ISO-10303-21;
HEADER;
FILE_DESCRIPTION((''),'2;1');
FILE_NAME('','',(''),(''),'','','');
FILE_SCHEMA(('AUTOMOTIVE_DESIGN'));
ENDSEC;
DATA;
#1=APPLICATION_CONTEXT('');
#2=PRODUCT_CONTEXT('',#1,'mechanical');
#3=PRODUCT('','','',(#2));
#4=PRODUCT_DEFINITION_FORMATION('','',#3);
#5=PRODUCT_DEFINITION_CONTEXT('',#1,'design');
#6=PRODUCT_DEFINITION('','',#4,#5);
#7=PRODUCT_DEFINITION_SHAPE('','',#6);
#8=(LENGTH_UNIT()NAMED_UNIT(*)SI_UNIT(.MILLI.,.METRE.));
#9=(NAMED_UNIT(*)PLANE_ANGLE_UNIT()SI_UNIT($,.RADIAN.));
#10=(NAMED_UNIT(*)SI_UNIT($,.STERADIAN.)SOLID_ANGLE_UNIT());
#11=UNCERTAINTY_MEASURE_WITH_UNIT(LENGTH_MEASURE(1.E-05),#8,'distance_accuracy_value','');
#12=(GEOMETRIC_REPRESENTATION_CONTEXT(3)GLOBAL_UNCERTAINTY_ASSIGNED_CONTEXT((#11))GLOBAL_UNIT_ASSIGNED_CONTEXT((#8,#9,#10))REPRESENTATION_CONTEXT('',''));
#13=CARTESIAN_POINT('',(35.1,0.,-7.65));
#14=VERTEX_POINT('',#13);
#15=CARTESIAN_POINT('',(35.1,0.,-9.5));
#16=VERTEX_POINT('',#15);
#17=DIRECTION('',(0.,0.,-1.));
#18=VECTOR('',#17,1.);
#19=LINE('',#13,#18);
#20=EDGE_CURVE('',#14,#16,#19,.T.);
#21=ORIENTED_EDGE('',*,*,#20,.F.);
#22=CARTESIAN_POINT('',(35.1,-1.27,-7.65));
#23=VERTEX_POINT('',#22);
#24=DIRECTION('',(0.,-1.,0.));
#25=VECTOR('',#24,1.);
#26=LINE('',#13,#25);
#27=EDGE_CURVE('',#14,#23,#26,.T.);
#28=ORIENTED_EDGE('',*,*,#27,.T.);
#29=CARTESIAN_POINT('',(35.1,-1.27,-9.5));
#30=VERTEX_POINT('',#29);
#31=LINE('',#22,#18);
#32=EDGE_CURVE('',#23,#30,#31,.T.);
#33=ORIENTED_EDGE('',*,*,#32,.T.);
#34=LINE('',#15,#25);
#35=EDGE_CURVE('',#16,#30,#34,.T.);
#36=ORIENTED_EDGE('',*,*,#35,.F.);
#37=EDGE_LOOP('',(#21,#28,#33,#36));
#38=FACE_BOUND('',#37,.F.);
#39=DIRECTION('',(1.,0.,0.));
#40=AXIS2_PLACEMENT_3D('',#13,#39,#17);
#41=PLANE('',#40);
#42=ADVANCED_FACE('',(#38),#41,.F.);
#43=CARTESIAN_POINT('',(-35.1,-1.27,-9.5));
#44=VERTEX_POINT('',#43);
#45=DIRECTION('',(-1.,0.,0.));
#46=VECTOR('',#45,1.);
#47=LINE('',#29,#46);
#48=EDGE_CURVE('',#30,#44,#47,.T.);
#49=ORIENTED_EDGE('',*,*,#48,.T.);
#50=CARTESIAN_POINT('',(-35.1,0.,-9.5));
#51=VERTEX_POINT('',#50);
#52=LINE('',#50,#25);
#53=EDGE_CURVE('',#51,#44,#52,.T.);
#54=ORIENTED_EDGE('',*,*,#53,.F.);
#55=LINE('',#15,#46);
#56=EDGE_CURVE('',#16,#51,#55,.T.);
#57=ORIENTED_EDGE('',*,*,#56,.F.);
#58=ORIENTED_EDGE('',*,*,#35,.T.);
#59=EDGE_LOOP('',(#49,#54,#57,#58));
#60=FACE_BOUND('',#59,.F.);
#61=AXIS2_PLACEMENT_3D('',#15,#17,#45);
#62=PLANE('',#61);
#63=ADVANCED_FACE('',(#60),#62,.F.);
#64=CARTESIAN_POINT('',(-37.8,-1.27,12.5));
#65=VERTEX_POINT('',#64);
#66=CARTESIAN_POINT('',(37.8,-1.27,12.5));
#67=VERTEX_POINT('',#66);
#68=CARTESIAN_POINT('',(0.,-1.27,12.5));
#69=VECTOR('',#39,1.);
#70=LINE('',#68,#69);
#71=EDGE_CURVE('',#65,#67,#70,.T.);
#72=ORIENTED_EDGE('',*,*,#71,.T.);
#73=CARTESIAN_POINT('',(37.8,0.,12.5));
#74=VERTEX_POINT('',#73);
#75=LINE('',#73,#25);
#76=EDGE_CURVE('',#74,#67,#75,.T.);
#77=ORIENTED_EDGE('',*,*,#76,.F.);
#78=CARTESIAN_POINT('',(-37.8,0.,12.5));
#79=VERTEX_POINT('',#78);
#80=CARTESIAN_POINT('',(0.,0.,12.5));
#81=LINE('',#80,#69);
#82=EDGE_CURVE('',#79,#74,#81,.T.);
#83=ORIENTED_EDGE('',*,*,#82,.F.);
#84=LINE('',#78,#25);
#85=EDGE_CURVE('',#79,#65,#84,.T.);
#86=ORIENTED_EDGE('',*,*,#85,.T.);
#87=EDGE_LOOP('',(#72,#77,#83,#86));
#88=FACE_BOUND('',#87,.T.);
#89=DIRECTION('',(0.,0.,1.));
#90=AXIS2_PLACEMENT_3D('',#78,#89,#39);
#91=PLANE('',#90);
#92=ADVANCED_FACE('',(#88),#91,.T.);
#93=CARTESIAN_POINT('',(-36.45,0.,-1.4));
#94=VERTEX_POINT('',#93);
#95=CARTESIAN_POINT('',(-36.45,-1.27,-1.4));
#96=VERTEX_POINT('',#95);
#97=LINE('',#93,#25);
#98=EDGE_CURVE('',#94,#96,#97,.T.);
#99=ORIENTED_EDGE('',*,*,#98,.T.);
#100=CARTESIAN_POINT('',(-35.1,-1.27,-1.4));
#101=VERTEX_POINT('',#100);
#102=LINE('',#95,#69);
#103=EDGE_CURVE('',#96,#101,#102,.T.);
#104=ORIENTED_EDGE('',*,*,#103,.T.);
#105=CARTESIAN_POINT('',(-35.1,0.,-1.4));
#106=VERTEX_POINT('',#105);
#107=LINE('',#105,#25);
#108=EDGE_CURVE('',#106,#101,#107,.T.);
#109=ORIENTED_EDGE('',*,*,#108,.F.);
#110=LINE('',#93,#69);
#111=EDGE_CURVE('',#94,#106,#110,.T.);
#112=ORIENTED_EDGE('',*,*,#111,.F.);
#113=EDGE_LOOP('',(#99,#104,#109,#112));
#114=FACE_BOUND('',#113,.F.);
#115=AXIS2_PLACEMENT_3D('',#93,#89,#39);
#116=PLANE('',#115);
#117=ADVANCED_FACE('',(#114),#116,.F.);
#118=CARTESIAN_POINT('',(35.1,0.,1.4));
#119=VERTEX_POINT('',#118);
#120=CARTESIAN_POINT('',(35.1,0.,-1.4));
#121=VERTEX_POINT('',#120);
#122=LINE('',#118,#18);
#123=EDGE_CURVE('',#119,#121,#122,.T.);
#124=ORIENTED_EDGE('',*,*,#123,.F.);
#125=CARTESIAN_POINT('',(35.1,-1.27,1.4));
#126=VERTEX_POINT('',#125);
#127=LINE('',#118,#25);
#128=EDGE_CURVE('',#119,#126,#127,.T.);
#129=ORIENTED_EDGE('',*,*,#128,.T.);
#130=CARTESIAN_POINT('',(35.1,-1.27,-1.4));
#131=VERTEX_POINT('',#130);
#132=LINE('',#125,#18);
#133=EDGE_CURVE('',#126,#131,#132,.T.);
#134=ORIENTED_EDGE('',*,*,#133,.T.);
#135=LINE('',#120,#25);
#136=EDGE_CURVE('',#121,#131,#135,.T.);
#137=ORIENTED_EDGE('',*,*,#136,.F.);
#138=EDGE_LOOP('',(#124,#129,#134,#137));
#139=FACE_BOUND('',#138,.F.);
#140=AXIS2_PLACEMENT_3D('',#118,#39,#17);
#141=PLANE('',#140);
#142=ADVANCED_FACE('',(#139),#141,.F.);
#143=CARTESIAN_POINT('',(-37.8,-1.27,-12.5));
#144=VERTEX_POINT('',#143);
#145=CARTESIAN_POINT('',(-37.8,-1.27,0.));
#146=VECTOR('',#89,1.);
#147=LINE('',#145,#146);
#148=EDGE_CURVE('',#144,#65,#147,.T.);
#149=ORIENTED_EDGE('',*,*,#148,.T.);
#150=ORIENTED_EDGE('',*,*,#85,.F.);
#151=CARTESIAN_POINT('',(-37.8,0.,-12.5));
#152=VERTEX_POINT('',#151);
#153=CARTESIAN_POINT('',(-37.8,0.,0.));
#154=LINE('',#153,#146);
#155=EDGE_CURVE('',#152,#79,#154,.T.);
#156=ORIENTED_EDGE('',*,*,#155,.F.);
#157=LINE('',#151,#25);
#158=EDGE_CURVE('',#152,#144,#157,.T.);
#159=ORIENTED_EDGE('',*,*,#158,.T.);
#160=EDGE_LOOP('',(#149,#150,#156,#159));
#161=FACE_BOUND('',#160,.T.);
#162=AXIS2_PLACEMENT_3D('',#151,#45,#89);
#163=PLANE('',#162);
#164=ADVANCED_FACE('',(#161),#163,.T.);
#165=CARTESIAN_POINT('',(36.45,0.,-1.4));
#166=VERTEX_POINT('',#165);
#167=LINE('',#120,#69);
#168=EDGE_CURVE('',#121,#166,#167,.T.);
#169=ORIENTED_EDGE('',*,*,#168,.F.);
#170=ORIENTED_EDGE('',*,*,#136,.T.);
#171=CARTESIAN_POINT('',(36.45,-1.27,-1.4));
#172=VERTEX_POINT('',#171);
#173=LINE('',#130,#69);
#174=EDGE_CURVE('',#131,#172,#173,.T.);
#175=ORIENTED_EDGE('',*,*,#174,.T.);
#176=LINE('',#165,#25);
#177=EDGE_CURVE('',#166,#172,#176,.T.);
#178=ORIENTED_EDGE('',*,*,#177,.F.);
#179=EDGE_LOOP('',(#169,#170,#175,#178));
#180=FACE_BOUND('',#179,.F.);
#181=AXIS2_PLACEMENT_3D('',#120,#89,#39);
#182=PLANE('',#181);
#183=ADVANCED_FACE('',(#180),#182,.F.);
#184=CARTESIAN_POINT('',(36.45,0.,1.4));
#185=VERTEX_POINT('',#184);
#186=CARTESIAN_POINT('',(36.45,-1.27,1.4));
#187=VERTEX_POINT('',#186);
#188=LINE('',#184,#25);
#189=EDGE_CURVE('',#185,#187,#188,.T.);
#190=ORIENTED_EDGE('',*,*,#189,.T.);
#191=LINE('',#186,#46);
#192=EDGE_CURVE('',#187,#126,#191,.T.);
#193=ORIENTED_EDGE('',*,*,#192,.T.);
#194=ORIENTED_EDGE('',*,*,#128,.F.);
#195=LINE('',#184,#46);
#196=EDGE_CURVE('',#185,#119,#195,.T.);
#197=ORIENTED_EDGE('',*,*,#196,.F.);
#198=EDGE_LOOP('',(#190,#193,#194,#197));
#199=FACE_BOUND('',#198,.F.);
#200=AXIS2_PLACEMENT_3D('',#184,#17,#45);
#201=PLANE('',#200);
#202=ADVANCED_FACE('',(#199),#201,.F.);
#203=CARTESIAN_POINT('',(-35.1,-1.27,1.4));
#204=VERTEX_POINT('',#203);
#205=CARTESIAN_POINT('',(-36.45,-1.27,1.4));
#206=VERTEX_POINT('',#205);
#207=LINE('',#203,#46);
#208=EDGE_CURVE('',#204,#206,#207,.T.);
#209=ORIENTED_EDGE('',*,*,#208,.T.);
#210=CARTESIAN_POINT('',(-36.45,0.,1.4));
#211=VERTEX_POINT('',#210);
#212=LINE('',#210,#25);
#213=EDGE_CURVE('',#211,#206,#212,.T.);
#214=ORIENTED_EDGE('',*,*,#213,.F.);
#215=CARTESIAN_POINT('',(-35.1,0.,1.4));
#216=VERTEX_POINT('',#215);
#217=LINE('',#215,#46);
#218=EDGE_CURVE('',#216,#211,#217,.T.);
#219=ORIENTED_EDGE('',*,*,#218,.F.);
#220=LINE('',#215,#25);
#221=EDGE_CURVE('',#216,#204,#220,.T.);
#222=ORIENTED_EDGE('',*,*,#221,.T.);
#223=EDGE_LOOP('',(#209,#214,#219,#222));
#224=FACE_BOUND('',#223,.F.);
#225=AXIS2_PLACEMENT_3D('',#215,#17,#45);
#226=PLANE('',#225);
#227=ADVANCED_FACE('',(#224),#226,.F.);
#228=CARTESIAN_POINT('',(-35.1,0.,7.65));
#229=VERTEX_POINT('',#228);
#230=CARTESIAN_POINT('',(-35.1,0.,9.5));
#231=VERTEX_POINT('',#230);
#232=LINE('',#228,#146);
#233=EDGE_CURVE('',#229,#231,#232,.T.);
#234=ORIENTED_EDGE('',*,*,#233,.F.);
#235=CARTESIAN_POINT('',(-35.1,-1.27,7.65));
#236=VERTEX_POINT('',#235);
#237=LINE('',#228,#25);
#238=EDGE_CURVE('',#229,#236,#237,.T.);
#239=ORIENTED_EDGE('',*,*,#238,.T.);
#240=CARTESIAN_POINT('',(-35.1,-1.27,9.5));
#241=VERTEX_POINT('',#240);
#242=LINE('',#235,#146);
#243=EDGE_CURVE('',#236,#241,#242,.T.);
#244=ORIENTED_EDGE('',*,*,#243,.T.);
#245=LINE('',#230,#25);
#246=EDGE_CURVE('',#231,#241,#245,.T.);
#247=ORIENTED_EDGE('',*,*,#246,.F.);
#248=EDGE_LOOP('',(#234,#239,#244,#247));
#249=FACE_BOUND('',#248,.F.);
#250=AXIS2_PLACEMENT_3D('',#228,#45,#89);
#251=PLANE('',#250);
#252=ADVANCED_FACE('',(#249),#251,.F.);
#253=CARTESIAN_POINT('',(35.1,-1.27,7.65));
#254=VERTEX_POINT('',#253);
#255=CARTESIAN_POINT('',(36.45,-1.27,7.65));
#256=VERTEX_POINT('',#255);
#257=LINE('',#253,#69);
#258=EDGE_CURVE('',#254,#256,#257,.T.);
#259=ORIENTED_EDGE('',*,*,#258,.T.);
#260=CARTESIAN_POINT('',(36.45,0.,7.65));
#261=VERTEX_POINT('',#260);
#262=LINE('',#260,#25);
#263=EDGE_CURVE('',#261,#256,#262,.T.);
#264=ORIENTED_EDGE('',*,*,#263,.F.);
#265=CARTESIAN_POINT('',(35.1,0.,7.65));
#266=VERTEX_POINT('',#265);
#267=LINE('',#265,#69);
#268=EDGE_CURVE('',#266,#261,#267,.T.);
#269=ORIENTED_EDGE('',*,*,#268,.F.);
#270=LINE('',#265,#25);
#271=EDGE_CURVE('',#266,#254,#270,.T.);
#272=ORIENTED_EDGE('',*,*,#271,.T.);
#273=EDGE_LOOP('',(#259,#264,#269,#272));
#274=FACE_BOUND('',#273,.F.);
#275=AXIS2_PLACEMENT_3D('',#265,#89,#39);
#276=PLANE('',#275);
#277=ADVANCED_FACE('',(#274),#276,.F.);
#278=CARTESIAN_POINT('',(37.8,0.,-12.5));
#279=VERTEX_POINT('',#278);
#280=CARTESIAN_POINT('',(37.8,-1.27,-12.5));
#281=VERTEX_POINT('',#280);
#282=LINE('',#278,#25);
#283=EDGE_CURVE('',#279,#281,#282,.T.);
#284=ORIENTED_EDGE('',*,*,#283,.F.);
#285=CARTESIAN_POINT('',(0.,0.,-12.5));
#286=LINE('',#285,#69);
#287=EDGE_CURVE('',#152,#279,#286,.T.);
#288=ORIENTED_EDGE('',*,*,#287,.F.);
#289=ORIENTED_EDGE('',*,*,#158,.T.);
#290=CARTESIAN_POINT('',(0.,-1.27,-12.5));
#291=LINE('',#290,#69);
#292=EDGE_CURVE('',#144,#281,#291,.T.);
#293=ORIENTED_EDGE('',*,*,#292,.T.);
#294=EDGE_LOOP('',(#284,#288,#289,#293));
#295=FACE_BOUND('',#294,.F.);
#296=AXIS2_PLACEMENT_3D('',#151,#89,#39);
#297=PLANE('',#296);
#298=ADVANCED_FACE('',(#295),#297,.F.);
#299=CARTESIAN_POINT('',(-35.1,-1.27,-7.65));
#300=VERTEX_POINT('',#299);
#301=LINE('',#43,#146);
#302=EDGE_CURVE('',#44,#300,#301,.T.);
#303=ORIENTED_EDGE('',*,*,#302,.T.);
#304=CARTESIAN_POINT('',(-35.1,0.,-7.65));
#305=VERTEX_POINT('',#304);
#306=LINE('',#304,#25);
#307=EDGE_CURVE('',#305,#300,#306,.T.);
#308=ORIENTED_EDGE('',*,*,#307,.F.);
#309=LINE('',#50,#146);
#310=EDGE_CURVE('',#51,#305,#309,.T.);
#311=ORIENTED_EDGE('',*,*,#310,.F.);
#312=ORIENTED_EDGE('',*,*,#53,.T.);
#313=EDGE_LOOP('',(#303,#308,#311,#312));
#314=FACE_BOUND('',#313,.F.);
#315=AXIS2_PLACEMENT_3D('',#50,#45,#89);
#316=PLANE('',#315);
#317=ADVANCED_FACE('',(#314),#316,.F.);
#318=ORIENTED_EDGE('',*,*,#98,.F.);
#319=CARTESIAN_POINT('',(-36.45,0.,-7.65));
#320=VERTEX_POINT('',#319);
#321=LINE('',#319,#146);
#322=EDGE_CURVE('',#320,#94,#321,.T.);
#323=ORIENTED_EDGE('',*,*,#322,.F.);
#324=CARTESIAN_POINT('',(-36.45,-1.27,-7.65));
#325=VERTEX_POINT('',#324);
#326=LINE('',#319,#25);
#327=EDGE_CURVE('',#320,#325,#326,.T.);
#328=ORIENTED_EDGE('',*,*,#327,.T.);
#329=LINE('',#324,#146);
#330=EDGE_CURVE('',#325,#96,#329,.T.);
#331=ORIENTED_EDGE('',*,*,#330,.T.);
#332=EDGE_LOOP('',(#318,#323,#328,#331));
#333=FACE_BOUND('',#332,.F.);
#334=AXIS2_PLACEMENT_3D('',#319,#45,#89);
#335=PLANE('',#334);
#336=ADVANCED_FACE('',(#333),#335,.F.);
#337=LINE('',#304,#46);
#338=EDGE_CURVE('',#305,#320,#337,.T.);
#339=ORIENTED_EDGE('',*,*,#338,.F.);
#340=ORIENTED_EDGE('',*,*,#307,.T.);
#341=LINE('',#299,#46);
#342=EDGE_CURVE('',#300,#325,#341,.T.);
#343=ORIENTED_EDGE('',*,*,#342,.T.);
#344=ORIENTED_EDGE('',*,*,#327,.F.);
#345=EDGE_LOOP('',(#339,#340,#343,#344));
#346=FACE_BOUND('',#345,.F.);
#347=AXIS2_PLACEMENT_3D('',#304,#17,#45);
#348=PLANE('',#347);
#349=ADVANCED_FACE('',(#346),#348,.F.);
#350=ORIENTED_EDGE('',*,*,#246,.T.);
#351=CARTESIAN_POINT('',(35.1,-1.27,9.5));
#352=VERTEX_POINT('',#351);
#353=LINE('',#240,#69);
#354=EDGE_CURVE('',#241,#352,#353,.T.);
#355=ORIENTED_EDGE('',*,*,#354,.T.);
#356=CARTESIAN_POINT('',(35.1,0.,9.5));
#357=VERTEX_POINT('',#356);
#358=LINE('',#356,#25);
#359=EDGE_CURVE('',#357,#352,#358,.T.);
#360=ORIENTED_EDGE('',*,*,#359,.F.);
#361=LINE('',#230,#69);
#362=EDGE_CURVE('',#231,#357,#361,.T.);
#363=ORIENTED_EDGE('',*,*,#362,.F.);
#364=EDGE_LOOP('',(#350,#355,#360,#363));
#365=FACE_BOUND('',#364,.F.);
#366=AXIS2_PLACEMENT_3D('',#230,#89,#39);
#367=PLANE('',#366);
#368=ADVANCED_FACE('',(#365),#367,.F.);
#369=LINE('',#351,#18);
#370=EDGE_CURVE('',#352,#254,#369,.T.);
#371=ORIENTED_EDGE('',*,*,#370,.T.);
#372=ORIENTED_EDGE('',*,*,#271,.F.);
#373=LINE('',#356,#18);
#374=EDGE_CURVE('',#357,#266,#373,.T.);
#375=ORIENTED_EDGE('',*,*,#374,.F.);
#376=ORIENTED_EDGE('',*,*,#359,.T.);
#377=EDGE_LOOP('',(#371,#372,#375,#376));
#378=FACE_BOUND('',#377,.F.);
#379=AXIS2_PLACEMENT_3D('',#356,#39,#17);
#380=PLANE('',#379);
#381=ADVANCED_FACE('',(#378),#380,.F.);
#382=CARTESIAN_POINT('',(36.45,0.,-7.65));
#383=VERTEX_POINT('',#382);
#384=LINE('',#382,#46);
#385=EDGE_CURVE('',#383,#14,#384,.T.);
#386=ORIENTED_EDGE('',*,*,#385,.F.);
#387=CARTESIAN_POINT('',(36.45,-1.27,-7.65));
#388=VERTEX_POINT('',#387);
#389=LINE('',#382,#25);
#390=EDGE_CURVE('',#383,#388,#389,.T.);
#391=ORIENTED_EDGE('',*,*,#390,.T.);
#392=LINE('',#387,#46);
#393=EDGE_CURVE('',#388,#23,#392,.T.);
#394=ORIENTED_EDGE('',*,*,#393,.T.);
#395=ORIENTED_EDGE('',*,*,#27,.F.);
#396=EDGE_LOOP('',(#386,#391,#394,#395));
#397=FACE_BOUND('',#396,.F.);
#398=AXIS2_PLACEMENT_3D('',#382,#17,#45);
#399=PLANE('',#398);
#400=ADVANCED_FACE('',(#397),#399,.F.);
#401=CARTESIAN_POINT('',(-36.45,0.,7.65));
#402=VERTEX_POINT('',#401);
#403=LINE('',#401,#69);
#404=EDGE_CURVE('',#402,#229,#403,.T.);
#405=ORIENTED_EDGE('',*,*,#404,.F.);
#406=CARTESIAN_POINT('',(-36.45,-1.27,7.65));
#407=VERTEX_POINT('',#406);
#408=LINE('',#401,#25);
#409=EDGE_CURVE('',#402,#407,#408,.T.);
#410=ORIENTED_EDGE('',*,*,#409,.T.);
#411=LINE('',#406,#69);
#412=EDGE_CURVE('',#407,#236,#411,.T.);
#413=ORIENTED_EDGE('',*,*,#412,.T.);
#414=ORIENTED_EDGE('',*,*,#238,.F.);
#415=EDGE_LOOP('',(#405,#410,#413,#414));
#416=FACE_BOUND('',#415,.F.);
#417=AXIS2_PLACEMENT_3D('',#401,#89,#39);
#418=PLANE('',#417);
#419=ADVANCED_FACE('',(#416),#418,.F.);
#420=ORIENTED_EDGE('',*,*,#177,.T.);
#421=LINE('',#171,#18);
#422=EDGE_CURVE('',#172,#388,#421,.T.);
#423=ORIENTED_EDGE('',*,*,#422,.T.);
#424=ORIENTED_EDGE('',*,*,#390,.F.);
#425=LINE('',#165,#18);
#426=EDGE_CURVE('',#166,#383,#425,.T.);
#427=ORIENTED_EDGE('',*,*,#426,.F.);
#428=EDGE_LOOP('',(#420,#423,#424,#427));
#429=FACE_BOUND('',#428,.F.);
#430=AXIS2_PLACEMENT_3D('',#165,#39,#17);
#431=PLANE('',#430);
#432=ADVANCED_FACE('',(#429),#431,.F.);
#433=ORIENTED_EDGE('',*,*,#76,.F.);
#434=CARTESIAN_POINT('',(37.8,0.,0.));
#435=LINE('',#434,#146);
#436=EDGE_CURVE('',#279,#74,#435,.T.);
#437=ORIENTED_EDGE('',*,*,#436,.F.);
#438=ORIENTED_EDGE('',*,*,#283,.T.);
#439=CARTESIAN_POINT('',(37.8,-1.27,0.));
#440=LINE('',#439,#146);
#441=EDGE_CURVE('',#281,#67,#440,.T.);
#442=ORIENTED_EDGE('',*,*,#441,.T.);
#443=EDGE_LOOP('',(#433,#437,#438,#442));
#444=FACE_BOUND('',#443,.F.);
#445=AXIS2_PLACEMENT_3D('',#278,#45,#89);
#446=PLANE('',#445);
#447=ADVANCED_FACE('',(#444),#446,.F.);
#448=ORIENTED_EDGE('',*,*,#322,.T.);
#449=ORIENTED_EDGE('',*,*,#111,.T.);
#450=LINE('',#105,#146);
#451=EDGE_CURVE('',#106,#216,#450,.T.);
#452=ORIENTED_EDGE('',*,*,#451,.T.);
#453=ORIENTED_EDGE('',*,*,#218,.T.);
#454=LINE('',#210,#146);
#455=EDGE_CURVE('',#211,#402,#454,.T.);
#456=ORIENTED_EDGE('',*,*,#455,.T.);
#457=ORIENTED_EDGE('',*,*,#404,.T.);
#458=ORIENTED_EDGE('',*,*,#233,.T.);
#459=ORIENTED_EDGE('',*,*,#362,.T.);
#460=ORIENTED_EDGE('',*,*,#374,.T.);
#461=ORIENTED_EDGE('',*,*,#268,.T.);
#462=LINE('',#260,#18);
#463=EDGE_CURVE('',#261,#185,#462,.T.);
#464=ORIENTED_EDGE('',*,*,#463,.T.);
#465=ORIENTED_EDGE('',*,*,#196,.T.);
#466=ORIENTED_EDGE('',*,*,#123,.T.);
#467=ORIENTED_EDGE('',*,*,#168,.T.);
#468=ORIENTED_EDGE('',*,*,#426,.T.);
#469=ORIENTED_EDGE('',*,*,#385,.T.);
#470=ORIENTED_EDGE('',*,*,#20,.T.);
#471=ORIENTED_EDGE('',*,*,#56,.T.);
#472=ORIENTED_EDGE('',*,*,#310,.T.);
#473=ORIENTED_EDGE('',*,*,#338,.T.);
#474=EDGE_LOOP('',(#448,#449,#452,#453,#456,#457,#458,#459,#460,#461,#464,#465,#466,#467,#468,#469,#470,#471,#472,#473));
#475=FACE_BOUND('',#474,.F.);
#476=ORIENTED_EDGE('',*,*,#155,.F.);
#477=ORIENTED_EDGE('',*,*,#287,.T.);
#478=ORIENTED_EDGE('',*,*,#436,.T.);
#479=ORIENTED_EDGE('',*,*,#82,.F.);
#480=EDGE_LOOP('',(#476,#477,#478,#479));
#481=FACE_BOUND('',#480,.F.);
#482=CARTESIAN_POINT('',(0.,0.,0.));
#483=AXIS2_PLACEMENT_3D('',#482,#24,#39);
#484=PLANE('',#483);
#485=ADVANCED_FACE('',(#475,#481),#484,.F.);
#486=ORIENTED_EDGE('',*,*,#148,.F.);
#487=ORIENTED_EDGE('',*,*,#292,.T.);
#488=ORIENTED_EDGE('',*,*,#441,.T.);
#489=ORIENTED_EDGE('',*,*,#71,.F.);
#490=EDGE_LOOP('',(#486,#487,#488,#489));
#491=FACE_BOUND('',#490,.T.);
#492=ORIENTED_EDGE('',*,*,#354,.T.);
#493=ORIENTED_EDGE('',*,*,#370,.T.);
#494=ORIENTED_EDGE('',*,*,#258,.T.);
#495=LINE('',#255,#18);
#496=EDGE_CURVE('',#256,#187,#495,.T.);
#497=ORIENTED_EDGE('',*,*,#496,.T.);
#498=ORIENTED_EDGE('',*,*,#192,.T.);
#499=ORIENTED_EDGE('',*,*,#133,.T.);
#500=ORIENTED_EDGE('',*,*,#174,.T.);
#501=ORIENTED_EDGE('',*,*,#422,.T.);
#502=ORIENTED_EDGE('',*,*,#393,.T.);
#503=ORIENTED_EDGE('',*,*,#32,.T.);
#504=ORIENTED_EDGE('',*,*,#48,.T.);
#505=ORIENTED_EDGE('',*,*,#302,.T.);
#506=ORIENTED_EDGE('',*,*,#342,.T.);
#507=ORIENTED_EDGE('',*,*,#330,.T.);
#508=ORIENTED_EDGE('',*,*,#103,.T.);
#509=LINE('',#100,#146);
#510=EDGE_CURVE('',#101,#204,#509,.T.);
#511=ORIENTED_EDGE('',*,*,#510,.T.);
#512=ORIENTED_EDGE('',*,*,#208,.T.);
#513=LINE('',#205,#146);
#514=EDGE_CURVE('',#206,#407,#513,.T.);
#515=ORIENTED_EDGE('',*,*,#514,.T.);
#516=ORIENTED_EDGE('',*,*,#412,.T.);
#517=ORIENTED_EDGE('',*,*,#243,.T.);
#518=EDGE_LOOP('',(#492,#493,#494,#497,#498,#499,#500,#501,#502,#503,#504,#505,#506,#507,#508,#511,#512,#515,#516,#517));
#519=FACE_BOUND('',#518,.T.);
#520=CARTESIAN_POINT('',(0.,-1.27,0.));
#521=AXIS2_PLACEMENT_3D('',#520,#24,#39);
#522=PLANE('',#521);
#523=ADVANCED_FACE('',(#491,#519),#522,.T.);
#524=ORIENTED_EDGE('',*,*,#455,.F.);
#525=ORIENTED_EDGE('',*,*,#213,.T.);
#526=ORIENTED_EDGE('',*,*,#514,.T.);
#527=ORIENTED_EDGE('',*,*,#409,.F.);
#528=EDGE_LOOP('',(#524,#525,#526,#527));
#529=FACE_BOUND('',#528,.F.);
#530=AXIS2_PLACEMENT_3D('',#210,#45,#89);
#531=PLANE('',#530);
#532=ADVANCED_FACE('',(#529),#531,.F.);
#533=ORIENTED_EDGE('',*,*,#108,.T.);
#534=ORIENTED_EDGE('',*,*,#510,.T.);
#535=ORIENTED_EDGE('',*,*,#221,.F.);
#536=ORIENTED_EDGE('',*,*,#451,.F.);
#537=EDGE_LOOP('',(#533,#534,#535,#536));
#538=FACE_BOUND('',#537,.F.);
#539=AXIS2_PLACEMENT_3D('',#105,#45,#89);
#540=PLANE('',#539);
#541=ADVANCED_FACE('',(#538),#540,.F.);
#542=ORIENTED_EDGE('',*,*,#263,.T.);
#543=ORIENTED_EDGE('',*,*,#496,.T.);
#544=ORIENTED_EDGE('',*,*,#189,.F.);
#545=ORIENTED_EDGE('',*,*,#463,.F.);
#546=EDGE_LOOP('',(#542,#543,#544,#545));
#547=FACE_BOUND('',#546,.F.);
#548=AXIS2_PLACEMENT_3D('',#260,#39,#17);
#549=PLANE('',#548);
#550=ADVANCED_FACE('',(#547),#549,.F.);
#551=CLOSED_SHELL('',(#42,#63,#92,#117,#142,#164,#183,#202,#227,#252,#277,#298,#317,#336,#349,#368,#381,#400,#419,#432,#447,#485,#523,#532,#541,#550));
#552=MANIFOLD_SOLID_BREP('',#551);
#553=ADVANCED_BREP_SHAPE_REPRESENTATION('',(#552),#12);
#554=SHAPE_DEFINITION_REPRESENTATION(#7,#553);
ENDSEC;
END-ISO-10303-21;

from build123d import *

# Parameters (mm, degrees)
F0_W     = 75.6
F0_H     = 25
F1_DEPTH = 1.27


with BuildPart() as f1:
    # F0 (on Front) → F1 (new body)
    with BuildSketch(Plane.XZ):
        Rectangle(F0_W, F0_H)
        Polygon((35.1, -7.65), (35.1, -9.5), (-35.1, -9.5), (-35.1, -7.65), (-36.45, -7.65), (-36.45, -1.4), (-35.1, -1.4), (-35.1, 1.4), (-36.45, 1.4), (-36.45, 7.65), (-35.1, 7.65), (-35.1, 9.5), (35.1, 9.5), (35.1, 7.65), (36.45, 7.65), (36.45, 1.4), (35.1, 1.4), (35.1, -1.4), (36.45, -1.4), (36.45, -7.65), align=None, mode=Mode.SUBTRACT)
    extrude(amount=F1_DEPTH)


solid = f1.part
